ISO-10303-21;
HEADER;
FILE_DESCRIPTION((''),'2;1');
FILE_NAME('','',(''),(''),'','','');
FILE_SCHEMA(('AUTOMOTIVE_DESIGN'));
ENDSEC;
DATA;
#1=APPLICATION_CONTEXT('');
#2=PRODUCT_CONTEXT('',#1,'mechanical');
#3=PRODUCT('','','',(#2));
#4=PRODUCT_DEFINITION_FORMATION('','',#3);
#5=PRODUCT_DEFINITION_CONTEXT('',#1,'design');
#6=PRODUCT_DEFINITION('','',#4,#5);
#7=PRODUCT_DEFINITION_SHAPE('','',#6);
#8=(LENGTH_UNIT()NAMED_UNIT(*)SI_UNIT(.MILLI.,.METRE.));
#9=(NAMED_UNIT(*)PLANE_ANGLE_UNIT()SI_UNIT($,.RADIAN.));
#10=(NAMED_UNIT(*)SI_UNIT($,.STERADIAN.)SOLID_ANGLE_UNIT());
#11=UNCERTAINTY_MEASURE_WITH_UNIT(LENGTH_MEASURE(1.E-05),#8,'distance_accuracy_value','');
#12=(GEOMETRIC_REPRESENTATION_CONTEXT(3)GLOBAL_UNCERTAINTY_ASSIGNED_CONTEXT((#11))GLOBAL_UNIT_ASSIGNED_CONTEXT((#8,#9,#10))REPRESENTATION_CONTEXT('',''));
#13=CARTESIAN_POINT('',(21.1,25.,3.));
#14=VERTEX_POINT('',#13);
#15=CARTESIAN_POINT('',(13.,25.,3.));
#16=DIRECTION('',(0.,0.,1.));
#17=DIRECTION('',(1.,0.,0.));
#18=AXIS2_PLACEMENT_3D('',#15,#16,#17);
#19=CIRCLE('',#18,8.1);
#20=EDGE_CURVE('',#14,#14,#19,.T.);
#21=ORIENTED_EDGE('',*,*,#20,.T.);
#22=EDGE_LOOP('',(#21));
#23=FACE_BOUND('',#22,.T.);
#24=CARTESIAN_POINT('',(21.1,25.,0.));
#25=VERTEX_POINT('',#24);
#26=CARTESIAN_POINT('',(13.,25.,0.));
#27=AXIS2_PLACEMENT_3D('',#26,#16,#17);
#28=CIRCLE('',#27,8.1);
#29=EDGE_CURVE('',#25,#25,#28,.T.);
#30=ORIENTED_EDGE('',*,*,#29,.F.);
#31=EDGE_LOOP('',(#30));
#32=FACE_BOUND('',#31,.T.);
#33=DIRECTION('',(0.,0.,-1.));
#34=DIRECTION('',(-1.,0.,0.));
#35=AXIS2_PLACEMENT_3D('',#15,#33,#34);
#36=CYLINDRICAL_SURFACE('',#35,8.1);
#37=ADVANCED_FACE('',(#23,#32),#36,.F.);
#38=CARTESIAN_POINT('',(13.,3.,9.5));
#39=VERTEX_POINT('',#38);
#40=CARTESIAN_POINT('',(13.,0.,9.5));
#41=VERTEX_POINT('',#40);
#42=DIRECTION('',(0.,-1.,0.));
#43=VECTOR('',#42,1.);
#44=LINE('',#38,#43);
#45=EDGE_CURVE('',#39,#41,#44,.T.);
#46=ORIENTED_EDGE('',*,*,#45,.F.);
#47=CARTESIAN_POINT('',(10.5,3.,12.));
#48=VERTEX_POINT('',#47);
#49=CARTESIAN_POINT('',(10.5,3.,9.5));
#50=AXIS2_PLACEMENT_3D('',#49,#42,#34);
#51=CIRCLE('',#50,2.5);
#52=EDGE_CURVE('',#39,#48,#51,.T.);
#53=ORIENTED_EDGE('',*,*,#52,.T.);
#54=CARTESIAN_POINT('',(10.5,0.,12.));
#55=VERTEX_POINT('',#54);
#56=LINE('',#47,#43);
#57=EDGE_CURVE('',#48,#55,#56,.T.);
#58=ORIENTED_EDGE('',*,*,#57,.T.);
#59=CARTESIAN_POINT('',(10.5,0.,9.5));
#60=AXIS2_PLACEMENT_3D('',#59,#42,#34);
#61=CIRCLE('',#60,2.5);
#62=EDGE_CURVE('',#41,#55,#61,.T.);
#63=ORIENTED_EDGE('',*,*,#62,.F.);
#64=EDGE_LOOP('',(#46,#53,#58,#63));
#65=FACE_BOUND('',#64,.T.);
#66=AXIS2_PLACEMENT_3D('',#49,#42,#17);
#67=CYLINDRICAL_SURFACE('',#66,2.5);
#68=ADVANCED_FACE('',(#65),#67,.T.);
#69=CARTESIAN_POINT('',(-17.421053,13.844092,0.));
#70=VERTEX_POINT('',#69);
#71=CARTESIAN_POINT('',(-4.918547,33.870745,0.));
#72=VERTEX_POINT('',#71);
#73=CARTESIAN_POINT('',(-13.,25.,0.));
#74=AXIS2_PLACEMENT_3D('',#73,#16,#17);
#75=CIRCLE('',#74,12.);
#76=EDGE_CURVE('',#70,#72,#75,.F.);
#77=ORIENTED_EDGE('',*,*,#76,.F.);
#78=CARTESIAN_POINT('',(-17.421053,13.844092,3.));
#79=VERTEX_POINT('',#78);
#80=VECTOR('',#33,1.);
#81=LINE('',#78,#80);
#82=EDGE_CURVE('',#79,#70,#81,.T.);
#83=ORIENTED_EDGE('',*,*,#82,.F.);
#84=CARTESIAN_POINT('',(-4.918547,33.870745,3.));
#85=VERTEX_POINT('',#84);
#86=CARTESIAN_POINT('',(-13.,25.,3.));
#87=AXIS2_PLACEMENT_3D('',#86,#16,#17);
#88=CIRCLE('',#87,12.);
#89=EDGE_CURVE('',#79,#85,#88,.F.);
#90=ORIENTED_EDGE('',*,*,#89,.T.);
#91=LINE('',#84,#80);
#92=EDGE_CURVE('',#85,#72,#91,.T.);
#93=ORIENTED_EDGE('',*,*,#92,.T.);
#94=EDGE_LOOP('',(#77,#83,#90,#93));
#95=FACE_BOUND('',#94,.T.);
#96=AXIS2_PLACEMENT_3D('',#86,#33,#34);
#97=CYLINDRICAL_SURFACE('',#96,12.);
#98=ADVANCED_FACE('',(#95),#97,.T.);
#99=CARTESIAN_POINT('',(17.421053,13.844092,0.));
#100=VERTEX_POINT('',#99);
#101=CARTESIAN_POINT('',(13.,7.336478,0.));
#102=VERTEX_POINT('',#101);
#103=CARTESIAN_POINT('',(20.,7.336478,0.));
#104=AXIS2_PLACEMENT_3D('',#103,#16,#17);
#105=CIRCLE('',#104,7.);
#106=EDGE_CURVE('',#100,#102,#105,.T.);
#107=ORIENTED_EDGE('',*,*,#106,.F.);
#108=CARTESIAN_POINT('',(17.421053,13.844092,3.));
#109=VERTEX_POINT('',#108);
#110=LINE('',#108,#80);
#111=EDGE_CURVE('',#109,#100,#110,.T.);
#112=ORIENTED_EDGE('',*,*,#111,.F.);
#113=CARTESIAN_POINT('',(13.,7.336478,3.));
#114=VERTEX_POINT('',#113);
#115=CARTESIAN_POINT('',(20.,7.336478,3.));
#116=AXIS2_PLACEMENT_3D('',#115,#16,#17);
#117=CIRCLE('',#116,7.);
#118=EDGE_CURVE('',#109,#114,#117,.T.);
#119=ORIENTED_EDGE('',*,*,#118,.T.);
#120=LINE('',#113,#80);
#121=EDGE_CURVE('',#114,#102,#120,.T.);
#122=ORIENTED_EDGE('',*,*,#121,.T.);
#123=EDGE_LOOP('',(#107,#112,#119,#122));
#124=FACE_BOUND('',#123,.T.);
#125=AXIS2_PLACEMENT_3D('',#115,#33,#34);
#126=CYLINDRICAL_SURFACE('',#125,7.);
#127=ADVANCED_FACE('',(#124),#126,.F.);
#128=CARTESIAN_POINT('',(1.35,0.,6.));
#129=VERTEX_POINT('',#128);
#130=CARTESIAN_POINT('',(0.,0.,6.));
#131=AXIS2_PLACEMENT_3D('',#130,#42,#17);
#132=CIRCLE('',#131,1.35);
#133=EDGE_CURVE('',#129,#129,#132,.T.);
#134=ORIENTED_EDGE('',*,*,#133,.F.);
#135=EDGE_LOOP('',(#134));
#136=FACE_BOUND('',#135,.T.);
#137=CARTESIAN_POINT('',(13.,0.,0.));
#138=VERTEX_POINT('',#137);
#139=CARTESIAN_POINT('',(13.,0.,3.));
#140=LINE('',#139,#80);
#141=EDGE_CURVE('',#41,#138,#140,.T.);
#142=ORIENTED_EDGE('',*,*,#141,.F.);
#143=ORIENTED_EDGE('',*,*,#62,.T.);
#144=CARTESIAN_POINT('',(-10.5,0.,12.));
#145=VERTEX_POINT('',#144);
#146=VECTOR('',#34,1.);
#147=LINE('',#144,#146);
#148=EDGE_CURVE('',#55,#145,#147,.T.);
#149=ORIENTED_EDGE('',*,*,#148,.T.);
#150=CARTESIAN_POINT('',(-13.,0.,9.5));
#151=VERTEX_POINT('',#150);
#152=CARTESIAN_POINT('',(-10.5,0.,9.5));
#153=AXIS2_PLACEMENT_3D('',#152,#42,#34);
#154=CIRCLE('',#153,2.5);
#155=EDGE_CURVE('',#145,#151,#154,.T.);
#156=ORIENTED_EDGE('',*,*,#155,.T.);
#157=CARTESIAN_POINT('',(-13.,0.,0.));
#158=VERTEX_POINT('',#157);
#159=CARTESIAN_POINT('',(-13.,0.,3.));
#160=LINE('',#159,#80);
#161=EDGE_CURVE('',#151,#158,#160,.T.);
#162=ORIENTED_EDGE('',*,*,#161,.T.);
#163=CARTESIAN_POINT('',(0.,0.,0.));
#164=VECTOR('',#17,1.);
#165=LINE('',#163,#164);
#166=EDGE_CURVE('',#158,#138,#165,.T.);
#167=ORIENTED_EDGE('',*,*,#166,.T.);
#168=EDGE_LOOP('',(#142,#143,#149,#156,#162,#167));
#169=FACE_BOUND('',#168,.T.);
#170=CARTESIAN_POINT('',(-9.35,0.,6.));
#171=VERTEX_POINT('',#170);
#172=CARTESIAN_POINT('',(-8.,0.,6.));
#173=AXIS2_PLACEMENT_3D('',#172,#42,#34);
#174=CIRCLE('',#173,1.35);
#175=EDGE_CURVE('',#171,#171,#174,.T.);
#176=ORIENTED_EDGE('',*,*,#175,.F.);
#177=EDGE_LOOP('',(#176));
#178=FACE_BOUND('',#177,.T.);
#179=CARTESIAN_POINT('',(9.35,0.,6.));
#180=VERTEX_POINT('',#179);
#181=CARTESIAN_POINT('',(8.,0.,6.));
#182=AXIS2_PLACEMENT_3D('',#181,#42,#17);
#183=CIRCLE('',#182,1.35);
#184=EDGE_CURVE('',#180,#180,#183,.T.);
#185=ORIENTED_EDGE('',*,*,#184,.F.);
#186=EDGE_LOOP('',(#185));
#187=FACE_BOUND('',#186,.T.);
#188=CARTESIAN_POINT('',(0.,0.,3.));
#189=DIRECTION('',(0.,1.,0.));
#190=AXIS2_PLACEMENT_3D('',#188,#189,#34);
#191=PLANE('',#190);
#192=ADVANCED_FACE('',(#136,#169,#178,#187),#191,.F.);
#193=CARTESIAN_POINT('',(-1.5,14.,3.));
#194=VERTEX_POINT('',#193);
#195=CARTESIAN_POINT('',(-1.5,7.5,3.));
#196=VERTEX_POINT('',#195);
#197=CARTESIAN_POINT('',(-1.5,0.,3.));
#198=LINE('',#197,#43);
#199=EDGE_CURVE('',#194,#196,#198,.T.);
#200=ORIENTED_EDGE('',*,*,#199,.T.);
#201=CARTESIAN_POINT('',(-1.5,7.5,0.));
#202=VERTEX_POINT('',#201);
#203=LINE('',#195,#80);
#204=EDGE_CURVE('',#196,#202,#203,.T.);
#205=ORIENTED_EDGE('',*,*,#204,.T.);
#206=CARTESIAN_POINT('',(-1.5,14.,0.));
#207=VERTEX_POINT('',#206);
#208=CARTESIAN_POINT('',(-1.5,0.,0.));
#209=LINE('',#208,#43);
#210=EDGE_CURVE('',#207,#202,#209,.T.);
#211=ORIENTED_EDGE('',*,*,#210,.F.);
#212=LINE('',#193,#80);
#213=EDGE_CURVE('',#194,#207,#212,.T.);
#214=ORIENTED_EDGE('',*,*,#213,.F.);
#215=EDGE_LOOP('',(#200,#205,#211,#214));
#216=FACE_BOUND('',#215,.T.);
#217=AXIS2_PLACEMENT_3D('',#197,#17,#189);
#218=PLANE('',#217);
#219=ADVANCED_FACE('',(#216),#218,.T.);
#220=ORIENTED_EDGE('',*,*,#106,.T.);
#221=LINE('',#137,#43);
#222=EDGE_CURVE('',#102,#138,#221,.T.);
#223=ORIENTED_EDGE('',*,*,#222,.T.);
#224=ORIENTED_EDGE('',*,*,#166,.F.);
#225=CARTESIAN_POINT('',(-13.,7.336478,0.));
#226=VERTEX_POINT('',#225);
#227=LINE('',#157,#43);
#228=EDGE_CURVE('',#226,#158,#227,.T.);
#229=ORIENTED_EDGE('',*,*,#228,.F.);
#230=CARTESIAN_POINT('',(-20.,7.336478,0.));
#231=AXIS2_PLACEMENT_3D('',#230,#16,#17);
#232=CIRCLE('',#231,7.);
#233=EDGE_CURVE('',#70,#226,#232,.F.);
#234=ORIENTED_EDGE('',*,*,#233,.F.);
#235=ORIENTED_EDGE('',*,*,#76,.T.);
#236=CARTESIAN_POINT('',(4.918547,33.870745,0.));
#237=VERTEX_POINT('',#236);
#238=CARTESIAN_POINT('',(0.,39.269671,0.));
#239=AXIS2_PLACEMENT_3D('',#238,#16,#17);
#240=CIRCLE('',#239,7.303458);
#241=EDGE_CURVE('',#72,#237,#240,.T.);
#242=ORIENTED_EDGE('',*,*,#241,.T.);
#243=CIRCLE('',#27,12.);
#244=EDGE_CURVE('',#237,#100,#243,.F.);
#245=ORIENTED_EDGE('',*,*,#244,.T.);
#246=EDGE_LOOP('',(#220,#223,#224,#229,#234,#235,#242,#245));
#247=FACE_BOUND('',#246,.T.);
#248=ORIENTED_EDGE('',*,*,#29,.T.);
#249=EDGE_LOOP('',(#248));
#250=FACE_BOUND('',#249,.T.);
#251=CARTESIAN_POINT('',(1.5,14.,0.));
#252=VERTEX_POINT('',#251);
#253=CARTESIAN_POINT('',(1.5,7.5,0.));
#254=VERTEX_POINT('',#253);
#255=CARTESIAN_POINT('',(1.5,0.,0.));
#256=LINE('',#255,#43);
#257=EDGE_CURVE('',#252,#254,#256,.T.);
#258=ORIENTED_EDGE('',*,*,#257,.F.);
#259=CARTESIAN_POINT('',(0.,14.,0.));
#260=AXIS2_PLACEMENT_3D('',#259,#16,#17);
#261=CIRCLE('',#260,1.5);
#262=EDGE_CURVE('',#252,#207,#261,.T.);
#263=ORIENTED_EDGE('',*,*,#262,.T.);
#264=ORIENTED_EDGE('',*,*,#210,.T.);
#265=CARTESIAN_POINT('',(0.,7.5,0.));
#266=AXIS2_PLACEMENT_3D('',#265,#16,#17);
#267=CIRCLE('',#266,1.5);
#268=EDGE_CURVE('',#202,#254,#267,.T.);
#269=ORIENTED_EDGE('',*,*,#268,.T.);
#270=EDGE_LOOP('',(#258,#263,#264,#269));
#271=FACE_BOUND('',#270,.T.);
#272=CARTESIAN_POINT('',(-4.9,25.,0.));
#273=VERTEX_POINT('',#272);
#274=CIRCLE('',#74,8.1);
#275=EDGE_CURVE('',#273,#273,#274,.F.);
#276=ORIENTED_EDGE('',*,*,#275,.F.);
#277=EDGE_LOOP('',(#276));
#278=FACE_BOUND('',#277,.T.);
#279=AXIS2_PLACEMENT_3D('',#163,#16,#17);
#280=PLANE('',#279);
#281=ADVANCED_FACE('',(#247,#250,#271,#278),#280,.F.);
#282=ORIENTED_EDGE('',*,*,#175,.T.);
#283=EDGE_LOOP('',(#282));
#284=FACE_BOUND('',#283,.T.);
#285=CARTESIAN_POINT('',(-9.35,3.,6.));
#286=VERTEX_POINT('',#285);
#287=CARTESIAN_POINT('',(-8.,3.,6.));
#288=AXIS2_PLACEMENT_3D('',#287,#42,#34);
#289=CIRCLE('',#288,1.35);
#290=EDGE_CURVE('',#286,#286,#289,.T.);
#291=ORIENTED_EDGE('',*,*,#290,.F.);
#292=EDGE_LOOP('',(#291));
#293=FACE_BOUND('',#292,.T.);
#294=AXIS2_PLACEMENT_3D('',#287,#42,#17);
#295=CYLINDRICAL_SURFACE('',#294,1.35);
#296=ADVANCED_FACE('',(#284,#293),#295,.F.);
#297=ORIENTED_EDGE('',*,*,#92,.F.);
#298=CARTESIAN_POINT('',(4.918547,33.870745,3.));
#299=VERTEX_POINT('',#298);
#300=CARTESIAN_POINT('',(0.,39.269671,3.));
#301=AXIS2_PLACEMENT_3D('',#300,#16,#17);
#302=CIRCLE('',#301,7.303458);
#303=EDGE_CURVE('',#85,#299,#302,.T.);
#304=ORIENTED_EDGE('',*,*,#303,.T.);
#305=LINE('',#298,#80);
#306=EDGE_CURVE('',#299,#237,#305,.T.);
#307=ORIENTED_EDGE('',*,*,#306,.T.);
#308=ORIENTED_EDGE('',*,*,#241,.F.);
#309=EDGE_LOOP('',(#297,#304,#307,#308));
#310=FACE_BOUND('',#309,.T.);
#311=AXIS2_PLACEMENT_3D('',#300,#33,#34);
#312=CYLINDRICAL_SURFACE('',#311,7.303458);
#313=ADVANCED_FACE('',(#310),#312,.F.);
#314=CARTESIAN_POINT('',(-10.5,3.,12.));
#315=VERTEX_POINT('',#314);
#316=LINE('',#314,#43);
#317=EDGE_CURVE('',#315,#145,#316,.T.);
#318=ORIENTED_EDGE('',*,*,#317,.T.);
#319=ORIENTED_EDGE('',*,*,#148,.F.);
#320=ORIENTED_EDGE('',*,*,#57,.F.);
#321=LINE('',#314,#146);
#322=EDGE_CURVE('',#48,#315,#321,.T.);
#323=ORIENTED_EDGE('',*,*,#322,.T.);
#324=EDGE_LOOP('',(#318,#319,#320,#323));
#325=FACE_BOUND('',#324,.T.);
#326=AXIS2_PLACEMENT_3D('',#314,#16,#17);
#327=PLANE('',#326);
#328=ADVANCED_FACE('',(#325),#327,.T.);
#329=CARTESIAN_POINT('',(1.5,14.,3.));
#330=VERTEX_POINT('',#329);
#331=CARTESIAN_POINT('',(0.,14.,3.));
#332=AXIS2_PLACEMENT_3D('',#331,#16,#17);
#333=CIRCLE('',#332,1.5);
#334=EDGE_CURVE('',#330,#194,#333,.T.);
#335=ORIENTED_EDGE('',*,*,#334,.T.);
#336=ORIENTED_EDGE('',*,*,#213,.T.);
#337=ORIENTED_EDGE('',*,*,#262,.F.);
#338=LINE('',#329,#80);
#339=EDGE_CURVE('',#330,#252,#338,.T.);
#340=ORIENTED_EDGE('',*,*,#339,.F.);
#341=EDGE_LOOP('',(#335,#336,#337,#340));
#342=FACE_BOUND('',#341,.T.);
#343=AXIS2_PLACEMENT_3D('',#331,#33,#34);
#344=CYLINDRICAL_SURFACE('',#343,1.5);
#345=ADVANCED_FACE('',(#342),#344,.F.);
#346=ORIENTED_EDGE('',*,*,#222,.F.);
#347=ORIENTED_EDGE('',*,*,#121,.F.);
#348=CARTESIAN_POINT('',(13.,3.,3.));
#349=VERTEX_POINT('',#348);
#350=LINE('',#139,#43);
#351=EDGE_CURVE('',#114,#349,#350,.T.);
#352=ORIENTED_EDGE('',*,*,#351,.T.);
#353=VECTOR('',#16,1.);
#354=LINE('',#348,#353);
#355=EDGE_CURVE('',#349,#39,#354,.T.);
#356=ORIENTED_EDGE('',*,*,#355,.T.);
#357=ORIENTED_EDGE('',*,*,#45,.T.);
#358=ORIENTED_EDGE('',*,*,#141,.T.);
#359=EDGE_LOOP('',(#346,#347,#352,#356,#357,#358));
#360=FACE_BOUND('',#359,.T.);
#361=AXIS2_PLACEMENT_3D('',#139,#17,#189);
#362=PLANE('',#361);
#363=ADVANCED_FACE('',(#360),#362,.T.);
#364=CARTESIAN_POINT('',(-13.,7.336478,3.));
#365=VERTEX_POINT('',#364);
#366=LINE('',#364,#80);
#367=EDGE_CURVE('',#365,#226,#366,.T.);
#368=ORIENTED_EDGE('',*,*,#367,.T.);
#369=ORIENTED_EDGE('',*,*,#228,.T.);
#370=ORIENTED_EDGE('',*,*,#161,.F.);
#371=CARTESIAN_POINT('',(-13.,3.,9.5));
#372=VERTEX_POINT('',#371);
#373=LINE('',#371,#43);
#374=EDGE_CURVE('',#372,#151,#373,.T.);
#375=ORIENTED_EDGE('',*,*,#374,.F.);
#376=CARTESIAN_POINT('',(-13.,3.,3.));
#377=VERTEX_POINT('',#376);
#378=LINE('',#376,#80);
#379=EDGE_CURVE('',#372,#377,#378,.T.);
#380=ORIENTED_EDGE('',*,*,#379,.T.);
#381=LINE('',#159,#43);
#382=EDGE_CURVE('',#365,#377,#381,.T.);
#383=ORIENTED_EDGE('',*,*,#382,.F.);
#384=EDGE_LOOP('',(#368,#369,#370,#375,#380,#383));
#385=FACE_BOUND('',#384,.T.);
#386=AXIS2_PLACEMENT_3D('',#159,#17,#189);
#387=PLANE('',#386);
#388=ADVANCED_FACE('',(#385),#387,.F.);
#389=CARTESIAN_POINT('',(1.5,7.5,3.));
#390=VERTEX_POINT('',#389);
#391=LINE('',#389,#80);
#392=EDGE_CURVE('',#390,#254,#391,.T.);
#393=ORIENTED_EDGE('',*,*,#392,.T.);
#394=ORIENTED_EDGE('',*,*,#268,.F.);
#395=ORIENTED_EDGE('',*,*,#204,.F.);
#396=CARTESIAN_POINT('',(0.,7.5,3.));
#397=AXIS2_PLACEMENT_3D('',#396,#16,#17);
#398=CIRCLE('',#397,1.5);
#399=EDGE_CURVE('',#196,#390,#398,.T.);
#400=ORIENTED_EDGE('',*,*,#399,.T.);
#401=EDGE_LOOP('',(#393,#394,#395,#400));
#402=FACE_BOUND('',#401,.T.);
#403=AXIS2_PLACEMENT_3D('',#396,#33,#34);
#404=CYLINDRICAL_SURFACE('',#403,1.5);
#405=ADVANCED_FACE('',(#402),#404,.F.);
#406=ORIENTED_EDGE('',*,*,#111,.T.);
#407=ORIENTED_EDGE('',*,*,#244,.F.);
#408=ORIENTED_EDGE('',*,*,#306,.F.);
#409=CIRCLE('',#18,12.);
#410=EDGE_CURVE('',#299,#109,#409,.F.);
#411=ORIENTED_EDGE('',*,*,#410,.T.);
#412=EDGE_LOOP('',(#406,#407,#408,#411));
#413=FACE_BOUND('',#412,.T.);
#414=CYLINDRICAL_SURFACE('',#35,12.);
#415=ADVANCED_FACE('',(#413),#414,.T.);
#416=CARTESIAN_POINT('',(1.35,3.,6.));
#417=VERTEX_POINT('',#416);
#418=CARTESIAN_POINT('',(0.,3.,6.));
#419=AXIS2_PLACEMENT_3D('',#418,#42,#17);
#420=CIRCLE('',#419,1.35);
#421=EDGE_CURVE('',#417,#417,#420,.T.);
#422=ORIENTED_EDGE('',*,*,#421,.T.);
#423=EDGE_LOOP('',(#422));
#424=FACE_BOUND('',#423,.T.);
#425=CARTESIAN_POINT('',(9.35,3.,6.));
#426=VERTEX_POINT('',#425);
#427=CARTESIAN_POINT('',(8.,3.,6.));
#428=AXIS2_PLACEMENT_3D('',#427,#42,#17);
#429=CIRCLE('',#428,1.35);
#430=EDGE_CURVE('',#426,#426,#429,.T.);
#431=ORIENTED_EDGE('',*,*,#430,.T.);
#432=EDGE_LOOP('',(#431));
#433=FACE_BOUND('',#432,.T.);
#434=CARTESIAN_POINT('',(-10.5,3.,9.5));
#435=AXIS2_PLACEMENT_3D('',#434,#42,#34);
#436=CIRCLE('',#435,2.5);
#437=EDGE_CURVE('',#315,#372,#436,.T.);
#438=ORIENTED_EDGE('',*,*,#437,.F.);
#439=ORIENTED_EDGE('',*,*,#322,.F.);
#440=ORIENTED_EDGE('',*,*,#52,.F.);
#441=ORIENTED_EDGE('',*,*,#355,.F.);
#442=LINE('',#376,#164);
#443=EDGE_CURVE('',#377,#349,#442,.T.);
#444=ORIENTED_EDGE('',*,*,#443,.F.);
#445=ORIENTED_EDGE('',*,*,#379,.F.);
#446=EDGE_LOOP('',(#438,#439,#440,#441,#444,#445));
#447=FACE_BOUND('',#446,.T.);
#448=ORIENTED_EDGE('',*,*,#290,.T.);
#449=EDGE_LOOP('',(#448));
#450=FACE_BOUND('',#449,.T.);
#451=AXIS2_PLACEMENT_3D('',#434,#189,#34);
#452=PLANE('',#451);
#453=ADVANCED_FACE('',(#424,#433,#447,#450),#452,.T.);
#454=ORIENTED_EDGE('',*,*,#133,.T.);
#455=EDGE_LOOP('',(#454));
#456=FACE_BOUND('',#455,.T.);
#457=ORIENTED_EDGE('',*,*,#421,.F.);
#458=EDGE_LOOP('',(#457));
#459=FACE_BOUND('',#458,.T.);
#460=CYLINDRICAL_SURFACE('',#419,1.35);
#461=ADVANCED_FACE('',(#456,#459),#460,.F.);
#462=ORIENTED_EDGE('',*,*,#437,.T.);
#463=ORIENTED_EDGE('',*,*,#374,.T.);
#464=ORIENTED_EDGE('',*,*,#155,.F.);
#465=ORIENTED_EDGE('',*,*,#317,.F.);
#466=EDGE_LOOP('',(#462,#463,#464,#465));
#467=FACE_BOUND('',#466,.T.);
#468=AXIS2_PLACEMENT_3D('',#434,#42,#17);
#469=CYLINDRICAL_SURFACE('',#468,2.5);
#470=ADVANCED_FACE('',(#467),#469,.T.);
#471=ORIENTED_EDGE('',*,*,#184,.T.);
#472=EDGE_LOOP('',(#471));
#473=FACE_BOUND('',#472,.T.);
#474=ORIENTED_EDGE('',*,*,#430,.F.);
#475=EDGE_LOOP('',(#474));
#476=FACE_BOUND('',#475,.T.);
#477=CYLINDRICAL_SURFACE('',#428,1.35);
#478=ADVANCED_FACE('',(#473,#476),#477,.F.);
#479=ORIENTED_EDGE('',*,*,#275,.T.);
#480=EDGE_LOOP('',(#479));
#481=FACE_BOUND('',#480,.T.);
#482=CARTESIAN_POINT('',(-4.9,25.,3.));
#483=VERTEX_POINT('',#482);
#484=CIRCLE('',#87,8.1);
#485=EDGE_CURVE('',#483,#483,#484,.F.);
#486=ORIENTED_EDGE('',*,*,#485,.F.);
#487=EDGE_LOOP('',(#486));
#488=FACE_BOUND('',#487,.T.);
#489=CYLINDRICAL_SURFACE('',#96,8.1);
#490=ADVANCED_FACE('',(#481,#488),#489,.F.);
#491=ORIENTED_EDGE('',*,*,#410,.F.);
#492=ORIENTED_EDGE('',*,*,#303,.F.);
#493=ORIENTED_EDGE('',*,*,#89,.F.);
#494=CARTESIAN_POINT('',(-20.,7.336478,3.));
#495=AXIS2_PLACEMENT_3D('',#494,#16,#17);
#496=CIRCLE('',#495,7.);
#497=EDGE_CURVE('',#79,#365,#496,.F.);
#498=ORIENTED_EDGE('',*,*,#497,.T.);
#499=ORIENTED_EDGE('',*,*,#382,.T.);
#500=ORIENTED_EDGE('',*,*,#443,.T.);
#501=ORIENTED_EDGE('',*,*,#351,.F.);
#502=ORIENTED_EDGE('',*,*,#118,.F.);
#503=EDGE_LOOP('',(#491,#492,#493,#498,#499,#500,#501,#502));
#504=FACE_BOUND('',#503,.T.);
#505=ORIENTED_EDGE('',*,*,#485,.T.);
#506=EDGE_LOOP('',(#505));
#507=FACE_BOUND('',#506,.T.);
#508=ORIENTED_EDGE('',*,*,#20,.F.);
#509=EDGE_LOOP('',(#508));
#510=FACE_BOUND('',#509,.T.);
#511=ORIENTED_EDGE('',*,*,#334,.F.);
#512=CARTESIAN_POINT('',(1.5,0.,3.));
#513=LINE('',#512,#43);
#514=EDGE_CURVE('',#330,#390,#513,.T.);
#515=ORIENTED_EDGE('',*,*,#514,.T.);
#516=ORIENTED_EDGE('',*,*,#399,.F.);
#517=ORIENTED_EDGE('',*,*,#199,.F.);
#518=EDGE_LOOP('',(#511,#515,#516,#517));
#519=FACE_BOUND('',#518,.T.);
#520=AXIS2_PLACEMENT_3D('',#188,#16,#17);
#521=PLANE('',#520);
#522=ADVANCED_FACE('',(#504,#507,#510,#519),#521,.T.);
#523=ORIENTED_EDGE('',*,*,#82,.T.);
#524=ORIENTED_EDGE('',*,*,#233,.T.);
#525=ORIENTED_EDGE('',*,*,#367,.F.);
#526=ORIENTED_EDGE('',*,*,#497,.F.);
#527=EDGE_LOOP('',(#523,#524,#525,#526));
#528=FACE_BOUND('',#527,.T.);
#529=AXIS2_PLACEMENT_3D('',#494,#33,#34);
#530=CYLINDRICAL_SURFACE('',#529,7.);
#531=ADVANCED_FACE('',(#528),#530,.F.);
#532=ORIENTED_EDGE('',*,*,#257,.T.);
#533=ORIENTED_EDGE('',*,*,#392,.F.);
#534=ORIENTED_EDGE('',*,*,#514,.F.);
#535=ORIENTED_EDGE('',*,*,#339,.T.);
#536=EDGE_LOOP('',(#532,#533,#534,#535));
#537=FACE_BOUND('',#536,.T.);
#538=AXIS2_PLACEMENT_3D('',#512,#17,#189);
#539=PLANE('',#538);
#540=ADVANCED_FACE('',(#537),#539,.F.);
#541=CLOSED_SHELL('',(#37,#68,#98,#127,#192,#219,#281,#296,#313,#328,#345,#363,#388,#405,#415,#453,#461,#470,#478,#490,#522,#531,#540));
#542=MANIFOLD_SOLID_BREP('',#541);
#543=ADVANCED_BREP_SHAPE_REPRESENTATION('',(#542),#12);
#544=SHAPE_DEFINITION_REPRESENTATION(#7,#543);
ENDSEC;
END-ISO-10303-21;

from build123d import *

# Parameters (mm, degrees)
SKETCH1_R           = 8.1
BOSS_EXTRUDE1_DEPTH = 3
SKETCH3_R           = 1.35
BOSS_EXTRUDE2_DEPTH = 3


with BuildPart() as part:
    # Sketch1 → Boss-Extrude1 (new body)
    with BuildSketch(Plane.XY):
        with BuildLine():
            Line((-13, 7.336478267), (-13, 0))
            Line((-13, 0), (13, 0))
            Line((13, 0), (13, 7.336478267))
            ThreePointArc((13, 7.336478267), (14.209808657, 11.270138676), (17.421052632, 13.844091537))
            ThreePointArc((17.421052632, 13.844091537), (22.926042302, 18.256582157), (25, 25))
            ThreePointArc((25, 25), (17.848843081, 35.976735433), (4.918546537, 33.87074461))
            ThreePointArc((4.918546537, 33.87074461), (0, 31.966212419), (-4.918546537, 33.87074461))
            ThreePointArc((-4.918546537, 33.87074461), (-17.848843081, 35.976735433), (-25, 25))
            ThreePointArc((-25, 25), (-22.926042302, 18.256582157), (-17.421052632, 13.844091537))
            ThreePointArc((-17.421052632, 13.844091537), (-14.209808657, 11.270138676), (-13, 7.336478267))
        make_face()
        with BuildLine():
            ThreePointArc((-1.5, 14), (0, 15.5), (1.5, 14))
            Line((1.5, 14), (1.5, 7.5))
            ThreePointArc((1.5, 7.5), (0, 6), (-1.5, 7.5))
            Line((-1.5, 7.5), (-1.5, 14))
        make_face(mode=Mode.SUBTRACT)
        with Locations((-13, 25)):
            Circle(SKETCH1_R, mode=Mode.SUBTRACT)
        with Locations((13, 25)):
            Circle(SKETCH1_R, mode=Mode.SUBTRACT)
    extrude(amount=BOSS_EXTRUDE1_DEPTH)

    # Sketch3 → Boss-Extrude2 (add)
    with BuildSketch(Plane.XZ):
        with BuildLine():
            Line((-13, 3), (13, 3))
            Line((13, 3), (13, 9.5))
            ThreePointArc((13, 9.5), (12.267766953, 11.267766953), (10.5, 12))
            Line((10.5, 12), (-10.5, 12))
            ThreePointArc((-10.5, 12), (-12.267766953, 11.267766953), (-13, 9.5))
            Line((-13, 9.5), (-13, 3))
        make_face()
        with Locations((8, 6)):
            Circle(SKETCH3_R, mode=Mode.SUBTRACT)
        with Locations((-8, 6)):
            Circle(SKETCH3_R, mode=Mode.SUBTRACT)
        with Locations((0, 6)):
            Circle(SKETCH3_R, mode=Mode.SUBTRACT)
    extrude(amount=-BOSS_EXTRUDE2_DEPTH)


solid = part.part
